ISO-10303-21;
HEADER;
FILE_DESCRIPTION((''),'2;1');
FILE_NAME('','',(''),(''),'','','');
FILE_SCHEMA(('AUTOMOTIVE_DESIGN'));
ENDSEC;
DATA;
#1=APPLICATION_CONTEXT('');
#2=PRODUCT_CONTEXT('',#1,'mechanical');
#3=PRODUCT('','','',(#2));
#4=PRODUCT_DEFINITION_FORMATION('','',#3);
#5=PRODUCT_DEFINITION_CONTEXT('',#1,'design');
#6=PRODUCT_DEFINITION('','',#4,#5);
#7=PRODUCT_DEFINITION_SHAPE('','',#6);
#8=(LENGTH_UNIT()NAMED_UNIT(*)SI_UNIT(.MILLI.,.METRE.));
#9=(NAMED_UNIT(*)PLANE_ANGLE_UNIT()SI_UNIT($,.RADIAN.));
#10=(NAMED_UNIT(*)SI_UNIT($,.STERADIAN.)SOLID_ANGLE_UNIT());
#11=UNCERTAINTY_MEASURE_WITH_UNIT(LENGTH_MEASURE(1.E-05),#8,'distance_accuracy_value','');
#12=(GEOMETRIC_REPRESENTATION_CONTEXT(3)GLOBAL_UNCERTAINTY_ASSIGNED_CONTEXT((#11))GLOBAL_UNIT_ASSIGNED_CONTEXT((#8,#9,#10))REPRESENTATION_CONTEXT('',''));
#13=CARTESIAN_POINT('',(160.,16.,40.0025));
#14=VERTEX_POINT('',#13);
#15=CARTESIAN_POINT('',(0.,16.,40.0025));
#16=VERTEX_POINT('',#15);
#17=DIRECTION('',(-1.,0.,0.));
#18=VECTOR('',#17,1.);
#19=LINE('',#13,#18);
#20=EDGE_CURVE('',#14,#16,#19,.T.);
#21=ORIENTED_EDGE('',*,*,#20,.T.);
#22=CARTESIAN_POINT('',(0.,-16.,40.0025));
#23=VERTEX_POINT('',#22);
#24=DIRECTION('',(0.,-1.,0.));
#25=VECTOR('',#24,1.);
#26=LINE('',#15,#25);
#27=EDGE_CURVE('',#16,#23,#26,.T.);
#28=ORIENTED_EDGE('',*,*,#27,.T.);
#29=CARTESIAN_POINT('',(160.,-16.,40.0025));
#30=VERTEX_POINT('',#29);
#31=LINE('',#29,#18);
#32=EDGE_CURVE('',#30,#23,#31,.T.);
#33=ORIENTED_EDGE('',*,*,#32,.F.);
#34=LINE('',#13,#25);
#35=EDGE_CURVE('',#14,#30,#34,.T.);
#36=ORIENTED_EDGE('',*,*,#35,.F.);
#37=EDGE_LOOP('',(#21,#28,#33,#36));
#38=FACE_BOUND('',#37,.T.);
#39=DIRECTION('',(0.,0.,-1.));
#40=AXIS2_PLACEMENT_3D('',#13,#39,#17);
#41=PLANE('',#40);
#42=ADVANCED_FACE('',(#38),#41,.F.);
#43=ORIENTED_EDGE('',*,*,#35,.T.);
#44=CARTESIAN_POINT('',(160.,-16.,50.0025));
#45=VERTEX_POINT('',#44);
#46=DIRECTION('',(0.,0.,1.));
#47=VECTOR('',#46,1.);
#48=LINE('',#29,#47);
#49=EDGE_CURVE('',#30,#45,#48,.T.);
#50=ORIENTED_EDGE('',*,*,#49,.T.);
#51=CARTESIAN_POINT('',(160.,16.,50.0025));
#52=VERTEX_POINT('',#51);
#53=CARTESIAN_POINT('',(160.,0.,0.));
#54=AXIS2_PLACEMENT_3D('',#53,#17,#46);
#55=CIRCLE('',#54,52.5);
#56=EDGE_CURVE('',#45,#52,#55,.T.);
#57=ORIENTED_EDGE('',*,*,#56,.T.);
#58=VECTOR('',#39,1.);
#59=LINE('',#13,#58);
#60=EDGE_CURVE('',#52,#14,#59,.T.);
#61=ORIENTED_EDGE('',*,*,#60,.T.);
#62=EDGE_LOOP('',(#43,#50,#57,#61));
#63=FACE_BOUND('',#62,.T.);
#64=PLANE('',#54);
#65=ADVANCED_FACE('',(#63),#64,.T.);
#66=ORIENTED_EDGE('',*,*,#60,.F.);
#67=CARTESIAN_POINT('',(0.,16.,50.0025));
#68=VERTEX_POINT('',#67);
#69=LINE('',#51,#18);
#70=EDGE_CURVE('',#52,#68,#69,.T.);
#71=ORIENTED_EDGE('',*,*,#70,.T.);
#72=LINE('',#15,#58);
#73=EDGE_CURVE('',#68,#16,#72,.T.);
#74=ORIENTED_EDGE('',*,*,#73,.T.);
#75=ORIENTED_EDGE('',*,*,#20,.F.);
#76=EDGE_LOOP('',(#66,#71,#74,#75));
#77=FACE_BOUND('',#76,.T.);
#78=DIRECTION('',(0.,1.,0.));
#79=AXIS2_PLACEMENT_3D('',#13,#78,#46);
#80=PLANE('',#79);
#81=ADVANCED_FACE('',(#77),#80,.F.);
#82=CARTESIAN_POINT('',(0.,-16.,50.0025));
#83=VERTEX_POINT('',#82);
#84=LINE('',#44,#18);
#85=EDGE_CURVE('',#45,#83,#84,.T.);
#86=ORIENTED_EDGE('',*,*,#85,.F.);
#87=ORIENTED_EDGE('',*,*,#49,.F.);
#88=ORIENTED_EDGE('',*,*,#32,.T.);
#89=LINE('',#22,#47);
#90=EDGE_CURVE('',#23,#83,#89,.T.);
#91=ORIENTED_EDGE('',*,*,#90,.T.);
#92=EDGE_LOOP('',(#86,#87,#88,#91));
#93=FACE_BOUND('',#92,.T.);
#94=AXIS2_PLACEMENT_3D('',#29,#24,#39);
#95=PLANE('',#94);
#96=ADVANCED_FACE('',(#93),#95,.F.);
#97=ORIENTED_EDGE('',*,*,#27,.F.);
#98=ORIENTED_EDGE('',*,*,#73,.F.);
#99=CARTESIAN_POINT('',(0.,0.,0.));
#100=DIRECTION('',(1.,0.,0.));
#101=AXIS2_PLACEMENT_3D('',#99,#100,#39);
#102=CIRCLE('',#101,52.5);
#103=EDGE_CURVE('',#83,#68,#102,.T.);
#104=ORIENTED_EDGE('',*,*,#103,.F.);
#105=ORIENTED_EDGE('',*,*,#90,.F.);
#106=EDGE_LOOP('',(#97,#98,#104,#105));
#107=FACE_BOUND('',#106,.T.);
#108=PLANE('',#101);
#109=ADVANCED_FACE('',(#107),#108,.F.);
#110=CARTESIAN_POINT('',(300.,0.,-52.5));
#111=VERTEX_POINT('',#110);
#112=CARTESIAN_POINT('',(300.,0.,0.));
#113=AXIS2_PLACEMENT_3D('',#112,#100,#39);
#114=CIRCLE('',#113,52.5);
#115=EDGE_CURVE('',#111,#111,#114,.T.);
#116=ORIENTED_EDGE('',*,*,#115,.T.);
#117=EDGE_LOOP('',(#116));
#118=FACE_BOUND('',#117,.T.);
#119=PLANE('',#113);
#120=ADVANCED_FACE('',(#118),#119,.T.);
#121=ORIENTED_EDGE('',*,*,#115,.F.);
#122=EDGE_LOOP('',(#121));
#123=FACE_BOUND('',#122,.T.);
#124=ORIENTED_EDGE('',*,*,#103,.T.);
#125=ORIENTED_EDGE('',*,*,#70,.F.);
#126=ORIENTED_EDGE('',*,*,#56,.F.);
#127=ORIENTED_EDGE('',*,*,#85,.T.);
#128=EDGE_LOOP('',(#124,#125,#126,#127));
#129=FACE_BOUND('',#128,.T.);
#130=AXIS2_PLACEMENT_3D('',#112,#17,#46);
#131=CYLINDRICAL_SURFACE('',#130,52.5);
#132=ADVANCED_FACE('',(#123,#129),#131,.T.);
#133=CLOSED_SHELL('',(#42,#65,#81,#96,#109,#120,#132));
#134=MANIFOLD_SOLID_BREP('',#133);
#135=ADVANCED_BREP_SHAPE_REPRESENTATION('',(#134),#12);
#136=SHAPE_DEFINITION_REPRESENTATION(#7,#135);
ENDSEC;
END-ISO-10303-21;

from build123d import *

# Parameters (mm, degrees)
SKETCH1_R           = 52.5
BOSS_EXTRUDE1_DEPTH = 300
CUT_EXTRUDE1_DEPTH  = 160


with BuildPart() as part:
    # Sketch1 → Boss-Extrude1 (new body)
    with BuildSketch(Plane.YZ):
        with Locations(Location((0, 0, 0), (0, 0, 270))):
            Circle(SKETCH1_R)
    extrude(amount=BOSS_EXTRUDE1_DEPTH)

    # Sketch2 → Cut-Extrude1 (cut)
    with BuildSketch(Plane(origin=(0, 0, 0), x_dir=(0, -1, 0), z_dir=(-1, 0, 0))):
        with BuildLine():
            Line((-16, 40.002499938), (16, 40.002499938))
            Line((16, 40.002499938), (16, 50.002499938))
            ThreePointArc((16, 50.002499938), (0, 52.5), (-16, 50.002499938))
            Line((-16, 50.002499938), (-16, 40.002499938))
        make_face()
    extrude(amount=-CUT_EXTRUDE1_DEPTH, mode=Mode.SUBTRACT)


solid = part.part
